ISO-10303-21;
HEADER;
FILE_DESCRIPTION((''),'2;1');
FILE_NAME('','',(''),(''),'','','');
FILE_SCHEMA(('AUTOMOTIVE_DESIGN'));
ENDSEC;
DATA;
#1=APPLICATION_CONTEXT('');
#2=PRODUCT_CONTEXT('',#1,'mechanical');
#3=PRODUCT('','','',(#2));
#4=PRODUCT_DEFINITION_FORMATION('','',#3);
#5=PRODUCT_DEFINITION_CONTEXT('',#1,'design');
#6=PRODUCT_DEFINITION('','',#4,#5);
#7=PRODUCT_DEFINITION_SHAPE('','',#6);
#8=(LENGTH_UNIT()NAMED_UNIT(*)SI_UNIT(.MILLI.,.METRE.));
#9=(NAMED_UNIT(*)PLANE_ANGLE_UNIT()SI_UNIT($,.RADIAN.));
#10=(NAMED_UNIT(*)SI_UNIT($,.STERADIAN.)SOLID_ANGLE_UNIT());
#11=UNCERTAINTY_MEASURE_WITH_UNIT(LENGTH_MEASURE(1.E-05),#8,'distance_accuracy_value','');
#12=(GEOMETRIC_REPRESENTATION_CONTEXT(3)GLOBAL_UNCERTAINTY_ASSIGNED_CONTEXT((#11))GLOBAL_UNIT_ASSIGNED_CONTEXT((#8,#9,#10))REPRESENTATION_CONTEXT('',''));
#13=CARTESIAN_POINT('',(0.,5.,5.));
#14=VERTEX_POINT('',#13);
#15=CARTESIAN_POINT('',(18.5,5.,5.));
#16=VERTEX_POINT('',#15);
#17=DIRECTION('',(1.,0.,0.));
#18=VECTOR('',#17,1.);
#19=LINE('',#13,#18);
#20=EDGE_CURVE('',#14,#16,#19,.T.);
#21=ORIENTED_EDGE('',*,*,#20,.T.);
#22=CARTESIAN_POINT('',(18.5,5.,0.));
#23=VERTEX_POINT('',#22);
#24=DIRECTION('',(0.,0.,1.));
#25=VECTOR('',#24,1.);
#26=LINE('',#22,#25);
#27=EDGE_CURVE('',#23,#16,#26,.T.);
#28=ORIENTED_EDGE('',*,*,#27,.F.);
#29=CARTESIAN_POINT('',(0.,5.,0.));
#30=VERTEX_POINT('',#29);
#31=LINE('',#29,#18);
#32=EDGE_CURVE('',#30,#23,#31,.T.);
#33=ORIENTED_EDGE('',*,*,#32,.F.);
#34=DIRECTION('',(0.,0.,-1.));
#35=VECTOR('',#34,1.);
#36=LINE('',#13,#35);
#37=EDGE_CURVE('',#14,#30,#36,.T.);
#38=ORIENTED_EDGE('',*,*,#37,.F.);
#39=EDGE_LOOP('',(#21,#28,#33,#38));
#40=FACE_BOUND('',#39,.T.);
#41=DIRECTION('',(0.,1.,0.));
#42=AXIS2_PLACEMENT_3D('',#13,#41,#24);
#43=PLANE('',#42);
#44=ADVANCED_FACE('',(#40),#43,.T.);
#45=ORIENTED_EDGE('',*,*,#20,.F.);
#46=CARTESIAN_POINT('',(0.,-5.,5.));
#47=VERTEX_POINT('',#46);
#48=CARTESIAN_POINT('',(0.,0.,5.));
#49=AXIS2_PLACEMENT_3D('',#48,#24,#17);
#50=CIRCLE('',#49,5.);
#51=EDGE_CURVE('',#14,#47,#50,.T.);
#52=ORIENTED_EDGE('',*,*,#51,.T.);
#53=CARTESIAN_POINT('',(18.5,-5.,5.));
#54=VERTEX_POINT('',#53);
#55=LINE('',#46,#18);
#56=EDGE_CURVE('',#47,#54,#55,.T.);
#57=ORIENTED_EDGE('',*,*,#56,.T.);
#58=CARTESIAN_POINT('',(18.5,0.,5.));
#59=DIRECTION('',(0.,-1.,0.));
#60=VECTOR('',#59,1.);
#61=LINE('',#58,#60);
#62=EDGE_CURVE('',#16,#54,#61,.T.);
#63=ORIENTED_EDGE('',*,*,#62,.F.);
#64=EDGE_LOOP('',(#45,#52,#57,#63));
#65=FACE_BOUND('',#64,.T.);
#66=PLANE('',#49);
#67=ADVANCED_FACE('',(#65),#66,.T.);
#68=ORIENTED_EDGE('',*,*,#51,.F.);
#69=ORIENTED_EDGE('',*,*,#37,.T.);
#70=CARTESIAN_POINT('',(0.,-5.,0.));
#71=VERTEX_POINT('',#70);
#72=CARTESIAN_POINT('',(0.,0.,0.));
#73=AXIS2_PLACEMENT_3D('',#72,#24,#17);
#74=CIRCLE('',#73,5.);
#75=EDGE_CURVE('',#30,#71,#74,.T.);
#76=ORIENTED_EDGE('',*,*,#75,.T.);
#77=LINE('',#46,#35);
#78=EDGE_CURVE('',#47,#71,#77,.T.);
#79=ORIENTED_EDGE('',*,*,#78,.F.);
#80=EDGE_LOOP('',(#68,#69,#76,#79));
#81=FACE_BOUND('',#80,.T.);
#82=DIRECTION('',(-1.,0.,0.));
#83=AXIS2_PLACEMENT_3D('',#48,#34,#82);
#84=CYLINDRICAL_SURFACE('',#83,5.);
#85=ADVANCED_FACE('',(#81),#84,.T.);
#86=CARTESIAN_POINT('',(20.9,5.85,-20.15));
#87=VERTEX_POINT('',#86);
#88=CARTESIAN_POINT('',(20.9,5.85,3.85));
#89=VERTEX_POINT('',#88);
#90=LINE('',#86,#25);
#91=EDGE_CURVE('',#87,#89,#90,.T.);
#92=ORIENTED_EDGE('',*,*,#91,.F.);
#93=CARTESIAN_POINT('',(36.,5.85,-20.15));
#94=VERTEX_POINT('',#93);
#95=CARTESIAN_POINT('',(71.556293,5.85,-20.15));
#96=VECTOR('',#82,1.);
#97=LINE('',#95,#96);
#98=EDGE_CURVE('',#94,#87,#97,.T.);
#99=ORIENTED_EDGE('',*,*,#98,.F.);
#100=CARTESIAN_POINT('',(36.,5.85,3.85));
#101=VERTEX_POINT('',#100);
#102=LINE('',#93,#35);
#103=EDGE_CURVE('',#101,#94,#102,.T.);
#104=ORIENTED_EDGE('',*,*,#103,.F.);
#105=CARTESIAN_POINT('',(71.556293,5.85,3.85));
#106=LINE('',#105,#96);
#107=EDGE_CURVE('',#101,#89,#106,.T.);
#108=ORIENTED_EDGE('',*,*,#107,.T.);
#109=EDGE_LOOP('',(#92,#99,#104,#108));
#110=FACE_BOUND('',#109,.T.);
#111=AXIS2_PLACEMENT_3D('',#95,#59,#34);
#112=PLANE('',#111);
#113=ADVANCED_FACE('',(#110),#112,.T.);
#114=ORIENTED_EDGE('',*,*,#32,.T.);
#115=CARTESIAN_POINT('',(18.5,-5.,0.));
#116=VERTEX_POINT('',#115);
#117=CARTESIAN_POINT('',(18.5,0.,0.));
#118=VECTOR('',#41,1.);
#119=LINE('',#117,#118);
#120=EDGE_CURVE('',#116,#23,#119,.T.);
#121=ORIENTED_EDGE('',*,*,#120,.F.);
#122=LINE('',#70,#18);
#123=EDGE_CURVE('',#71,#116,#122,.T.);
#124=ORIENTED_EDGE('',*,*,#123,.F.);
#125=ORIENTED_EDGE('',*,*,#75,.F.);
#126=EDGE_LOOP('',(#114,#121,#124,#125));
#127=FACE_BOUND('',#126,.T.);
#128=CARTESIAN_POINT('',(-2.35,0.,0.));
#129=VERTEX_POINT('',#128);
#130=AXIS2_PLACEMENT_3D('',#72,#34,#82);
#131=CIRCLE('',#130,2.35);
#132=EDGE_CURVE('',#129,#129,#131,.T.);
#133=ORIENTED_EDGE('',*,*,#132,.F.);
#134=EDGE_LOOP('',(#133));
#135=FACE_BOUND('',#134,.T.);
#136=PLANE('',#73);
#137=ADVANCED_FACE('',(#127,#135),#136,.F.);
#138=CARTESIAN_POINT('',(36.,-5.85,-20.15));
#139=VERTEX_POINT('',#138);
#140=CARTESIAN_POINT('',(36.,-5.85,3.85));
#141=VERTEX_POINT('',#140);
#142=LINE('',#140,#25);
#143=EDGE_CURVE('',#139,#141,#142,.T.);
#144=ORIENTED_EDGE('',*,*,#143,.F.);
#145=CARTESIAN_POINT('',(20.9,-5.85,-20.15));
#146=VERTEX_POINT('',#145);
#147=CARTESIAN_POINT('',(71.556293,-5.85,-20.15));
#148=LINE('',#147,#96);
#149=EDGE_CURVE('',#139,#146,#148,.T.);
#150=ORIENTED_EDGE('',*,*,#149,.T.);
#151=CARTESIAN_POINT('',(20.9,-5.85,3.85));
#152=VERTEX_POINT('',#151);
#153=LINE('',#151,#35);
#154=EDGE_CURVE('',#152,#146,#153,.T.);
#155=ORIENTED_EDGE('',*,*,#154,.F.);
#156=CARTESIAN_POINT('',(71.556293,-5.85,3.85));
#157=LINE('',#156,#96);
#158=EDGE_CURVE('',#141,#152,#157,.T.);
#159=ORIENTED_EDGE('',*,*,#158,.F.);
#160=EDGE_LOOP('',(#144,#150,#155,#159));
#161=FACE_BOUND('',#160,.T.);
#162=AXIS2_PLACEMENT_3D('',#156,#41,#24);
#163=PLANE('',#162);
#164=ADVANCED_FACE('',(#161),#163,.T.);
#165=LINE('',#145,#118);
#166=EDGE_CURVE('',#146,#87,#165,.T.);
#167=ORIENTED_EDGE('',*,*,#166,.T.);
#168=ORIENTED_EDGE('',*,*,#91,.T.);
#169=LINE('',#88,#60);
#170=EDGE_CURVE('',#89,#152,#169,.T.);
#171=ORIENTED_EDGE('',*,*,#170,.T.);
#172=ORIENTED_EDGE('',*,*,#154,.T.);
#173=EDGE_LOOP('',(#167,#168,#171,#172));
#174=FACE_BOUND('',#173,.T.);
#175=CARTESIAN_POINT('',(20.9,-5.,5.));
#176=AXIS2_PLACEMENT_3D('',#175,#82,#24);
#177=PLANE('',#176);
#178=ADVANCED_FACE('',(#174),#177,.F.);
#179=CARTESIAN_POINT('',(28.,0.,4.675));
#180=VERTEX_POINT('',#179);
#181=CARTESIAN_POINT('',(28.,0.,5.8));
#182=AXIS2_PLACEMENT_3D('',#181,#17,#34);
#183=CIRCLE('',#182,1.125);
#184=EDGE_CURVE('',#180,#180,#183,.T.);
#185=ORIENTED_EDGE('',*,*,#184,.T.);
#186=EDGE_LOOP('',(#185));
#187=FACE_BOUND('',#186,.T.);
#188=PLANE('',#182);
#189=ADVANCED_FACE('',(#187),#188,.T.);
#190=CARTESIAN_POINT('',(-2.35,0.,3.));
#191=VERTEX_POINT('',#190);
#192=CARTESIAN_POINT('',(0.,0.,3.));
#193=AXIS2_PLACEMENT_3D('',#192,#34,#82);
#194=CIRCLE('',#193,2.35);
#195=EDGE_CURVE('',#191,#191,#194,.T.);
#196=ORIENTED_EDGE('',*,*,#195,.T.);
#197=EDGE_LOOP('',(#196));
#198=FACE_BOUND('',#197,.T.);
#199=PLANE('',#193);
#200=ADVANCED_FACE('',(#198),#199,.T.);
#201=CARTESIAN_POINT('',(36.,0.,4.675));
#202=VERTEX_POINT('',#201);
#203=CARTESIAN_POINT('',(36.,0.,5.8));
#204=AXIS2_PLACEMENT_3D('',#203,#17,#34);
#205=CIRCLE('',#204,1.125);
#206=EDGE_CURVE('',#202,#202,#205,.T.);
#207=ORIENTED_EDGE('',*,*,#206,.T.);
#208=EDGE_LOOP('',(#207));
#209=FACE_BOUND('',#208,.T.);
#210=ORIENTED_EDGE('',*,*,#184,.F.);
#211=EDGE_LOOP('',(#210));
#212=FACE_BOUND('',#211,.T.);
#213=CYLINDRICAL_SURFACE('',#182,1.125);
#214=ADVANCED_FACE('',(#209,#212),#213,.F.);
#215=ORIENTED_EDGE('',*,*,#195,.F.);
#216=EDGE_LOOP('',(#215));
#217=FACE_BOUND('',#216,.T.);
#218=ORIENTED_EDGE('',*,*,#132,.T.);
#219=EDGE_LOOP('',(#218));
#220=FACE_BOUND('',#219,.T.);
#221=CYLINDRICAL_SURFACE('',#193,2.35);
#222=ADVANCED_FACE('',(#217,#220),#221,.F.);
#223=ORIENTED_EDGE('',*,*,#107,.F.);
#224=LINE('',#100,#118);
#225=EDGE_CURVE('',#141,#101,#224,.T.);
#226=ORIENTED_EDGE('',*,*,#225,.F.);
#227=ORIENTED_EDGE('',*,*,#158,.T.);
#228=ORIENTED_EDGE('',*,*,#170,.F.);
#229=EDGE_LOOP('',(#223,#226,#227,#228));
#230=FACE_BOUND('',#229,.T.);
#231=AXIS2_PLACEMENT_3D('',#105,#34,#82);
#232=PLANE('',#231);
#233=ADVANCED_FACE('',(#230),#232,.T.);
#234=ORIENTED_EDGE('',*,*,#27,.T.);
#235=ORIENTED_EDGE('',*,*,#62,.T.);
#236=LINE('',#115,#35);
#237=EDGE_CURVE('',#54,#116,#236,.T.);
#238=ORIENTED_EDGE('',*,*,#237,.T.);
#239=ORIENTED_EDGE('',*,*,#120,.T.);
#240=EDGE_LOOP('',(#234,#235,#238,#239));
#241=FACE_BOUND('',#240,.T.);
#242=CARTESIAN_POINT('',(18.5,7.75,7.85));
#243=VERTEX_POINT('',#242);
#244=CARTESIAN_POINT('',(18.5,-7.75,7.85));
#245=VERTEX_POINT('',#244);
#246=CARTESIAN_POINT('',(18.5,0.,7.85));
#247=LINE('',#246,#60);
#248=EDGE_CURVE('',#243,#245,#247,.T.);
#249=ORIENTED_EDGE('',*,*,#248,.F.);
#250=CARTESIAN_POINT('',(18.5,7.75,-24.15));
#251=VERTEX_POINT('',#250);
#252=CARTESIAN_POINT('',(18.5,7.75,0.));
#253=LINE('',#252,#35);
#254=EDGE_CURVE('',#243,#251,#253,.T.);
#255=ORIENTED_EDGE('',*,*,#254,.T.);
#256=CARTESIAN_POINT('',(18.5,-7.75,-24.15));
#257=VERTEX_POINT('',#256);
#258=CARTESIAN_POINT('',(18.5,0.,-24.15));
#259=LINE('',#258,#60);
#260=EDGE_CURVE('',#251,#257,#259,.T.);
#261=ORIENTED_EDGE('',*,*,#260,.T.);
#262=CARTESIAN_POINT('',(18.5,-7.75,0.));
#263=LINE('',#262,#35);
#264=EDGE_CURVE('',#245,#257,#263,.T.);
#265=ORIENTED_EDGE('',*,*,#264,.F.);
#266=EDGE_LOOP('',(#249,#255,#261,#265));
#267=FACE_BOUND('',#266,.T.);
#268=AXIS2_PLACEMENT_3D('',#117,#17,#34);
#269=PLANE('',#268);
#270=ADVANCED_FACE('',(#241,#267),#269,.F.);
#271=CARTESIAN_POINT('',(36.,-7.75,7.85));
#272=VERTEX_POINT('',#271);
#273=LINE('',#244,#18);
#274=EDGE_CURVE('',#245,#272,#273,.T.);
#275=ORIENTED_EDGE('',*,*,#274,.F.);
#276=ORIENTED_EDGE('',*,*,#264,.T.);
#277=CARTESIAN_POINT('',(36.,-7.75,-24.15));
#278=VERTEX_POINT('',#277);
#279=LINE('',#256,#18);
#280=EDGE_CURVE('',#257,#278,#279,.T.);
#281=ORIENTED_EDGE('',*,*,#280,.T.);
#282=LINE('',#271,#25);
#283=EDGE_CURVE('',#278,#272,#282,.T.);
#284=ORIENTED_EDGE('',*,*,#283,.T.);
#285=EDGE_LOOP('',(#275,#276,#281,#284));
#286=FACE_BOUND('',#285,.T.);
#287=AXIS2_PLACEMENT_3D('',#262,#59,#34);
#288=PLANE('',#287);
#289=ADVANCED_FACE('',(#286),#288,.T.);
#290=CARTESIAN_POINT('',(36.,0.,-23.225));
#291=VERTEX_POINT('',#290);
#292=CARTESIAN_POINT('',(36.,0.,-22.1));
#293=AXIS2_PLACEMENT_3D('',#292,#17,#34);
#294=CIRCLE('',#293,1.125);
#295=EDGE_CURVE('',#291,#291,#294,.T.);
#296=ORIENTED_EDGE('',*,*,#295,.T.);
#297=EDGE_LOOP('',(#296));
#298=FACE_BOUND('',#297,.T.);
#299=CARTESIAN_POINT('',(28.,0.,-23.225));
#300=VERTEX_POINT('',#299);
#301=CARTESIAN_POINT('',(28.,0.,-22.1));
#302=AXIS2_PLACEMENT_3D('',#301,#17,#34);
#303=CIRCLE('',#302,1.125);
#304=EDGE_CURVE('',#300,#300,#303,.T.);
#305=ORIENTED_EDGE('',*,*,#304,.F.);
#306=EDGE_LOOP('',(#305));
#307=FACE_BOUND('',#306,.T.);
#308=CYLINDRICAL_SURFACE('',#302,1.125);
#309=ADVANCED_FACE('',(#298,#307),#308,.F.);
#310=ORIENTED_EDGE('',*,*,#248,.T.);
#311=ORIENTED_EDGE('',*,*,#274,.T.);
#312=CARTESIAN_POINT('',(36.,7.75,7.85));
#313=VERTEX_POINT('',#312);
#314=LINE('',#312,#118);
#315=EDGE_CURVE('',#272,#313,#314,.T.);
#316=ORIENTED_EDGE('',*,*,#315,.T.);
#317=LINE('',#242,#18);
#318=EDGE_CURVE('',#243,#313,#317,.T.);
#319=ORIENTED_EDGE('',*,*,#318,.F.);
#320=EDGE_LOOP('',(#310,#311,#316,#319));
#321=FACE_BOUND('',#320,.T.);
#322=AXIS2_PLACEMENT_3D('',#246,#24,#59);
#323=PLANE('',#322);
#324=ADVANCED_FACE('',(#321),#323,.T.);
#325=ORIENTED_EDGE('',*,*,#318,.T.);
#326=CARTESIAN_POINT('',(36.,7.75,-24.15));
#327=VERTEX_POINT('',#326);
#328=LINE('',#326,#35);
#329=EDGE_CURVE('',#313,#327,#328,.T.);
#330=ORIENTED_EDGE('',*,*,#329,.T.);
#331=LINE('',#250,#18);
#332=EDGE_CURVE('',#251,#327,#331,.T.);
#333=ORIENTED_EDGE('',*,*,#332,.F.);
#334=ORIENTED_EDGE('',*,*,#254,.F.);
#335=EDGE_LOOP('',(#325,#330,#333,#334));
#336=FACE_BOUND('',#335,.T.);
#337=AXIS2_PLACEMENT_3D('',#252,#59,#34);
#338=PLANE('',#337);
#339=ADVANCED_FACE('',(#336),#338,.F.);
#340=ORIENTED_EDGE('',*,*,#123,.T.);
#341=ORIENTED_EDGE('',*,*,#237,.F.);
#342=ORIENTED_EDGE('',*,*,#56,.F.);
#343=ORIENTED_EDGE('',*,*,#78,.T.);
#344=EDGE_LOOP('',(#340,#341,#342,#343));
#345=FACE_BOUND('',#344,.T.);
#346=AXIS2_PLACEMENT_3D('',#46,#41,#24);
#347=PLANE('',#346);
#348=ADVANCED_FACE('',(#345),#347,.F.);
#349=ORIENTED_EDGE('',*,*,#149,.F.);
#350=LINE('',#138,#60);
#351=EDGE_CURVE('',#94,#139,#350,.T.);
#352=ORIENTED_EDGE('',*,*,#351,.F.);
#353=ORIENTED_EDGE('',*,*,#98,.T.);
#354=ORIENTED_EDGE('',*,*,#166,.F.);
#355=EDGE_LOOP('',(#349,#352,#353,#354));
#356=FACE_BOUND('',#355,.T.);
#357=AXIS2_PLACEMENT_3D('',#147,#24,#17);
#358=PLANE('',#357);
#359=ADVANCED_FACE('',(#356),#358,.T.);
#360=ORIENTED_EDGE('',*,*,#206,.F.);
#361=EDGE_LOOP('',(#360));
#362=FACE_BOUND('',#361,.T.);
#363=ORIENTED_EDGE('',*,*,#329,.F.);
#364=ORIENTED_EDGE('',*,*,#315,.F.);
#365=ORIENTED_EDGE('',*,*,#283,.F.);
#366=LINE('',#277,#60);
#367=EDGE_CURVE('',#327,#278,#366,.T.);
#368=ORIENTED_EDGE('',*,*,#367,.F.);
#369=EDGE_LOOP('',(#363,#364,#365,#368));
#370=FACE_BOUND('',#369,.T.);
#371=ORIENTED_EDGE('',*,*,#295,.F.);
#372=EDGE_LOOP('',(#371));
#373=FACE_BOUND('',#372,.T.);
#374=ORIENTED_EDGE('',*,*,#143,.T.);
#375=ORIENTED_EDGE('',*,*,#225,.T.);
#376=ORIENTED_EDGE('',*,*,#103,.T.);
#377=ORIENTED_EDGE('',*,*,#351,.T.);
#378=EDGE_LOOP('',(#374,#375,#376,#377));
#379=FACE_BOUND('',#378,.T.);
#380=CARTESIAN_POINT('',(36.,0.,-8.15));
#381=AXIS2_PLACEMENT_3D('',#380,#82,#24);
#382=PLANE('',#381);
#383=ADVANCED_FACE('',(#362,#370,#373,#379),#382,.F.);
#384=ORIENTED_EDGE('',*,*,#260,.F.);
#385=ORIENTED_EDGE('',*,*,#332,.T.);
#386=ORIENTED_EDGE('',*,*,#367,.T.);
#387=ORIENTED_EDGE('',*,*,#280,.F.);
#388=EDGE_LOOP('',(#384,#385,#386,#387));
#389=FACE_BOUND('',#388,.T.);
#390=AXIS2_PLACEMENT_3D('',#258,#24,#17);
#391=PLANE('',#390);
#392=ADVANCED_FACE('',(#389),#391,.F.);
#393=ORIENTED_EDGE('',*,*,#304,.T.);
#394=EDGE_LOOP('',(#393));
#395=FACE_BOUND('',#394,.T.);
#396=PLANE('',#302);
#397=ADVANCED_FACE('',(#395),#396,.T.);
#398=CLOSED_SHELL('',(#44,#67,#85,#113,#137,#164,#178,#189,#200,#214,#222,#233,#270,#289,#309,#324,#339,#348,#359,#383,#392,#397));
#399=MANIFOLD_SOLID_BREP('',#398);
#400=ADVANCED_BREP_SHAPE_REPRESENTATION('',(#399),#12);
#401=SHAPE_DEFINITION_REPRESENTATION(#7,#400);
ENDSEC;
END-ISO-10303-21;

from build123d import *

# Parameters (mm, degrees)
BOSS_EXTRUDE1_DEPTH = 5
SKETCH2_R           = 2.35
CUT_EXTRUDE1_DEPTH  = 3
SKETCH3_W           = 32
SKETCH3_H           = 15.5
SKETCH3_W_2         = 5
SKETCH3_H_2         = 10
BOSS_EXTRUDE2_DEPTH = 2.4
SKETCH4_W           = 32
SKETCH4_H           = 15.5
SKETCH4_W_2         = 24
SKETCH4_H_2         = 11.7
BOSS_EXTRUDE3_DEPTH = 15.1
SKETCH6_R           = 1.125
CUT_EXTRUDE2_DEPTH  = 8


with BuildPart() as part:
    # Sketch1 → Boss-Extrude1 (new body)
    with BuildSketch(Plane.XY):
        with BuildLine():
            Line((0, 5), (20.9, 5))
            Line((20.9, 5), (20.9, -5))
            Line((20.9, -5), (0, -5))
            ThreePointArc((0, -5), (-5, 0), (0, 5))
        make_face()
    extrude(amount=BOSS_EXTRUDE1_DEPTH)

    # Sketch2 → Cut-Extrude1 (cut)
    with BuildSketch(Plane(origin=(0, 0, 0), x_dir=(-1, 0, 0), z_dir=(0, 0, -1))):
        Circle(SKETCH2_R)
    extrude(amount=-CUT_EXTRUDE1_DEPTH, mode=Mode.SUBTRACT)

    # Sketch3 → Boss-Extrude2 (add)
    with BuildSketch(Plane(origin=(20.9, 0, 0), x_dir=(0, 0, -1), z_dir=(1, 0, 0))):
        with Locations((8.15, 0)):
            Rectangle(SKETCH3_W, SKETCH3_H)
        with Locations((-2.5, 0)):
            Rectangle(SKETCH3_W_2, SKETCH3_H_2, mode=Mode.SUBTRACT)
    extrude(amount=-BOSS_EXTRUDE2_DEPTH)

    # Sketch4 → Boss-Extrude3 (add)
    with BuildSketch(Plane(origin=(20.9, 0, 0), x_dir=(0, 0, -1), z_dir=(1, 0, 0))):
        with Locations((8.15, 0)):
            Rectangle(SKETCH4_W, SKETCH4_H)
        with Locations((8.15, 0)):
            Rectangle(SKETCH4_W_2, SKETCH4_H_2, mode=Mode.SUBTRACT)
    extrude(amount=BOSS_EXTRUDE3_DEPTH)

    # Sketch6 → Cut-Extrude2 (cut)
    with BuildSketch(Plane(origin=(36, 0, 0), x_dir=(0, 0, -1), z_dir=(1, 0, 0))):
        with Locations((-5.8, 0)):
            Circle(SKETCH6_R)
        with Locations((22.1, 0)):
            Circle(SKETCH6_R)
    extrude(amount=-CUT_EXTRUDE2_DEPTH, mode=Mode.SUBTRACT)


solid = part.part
